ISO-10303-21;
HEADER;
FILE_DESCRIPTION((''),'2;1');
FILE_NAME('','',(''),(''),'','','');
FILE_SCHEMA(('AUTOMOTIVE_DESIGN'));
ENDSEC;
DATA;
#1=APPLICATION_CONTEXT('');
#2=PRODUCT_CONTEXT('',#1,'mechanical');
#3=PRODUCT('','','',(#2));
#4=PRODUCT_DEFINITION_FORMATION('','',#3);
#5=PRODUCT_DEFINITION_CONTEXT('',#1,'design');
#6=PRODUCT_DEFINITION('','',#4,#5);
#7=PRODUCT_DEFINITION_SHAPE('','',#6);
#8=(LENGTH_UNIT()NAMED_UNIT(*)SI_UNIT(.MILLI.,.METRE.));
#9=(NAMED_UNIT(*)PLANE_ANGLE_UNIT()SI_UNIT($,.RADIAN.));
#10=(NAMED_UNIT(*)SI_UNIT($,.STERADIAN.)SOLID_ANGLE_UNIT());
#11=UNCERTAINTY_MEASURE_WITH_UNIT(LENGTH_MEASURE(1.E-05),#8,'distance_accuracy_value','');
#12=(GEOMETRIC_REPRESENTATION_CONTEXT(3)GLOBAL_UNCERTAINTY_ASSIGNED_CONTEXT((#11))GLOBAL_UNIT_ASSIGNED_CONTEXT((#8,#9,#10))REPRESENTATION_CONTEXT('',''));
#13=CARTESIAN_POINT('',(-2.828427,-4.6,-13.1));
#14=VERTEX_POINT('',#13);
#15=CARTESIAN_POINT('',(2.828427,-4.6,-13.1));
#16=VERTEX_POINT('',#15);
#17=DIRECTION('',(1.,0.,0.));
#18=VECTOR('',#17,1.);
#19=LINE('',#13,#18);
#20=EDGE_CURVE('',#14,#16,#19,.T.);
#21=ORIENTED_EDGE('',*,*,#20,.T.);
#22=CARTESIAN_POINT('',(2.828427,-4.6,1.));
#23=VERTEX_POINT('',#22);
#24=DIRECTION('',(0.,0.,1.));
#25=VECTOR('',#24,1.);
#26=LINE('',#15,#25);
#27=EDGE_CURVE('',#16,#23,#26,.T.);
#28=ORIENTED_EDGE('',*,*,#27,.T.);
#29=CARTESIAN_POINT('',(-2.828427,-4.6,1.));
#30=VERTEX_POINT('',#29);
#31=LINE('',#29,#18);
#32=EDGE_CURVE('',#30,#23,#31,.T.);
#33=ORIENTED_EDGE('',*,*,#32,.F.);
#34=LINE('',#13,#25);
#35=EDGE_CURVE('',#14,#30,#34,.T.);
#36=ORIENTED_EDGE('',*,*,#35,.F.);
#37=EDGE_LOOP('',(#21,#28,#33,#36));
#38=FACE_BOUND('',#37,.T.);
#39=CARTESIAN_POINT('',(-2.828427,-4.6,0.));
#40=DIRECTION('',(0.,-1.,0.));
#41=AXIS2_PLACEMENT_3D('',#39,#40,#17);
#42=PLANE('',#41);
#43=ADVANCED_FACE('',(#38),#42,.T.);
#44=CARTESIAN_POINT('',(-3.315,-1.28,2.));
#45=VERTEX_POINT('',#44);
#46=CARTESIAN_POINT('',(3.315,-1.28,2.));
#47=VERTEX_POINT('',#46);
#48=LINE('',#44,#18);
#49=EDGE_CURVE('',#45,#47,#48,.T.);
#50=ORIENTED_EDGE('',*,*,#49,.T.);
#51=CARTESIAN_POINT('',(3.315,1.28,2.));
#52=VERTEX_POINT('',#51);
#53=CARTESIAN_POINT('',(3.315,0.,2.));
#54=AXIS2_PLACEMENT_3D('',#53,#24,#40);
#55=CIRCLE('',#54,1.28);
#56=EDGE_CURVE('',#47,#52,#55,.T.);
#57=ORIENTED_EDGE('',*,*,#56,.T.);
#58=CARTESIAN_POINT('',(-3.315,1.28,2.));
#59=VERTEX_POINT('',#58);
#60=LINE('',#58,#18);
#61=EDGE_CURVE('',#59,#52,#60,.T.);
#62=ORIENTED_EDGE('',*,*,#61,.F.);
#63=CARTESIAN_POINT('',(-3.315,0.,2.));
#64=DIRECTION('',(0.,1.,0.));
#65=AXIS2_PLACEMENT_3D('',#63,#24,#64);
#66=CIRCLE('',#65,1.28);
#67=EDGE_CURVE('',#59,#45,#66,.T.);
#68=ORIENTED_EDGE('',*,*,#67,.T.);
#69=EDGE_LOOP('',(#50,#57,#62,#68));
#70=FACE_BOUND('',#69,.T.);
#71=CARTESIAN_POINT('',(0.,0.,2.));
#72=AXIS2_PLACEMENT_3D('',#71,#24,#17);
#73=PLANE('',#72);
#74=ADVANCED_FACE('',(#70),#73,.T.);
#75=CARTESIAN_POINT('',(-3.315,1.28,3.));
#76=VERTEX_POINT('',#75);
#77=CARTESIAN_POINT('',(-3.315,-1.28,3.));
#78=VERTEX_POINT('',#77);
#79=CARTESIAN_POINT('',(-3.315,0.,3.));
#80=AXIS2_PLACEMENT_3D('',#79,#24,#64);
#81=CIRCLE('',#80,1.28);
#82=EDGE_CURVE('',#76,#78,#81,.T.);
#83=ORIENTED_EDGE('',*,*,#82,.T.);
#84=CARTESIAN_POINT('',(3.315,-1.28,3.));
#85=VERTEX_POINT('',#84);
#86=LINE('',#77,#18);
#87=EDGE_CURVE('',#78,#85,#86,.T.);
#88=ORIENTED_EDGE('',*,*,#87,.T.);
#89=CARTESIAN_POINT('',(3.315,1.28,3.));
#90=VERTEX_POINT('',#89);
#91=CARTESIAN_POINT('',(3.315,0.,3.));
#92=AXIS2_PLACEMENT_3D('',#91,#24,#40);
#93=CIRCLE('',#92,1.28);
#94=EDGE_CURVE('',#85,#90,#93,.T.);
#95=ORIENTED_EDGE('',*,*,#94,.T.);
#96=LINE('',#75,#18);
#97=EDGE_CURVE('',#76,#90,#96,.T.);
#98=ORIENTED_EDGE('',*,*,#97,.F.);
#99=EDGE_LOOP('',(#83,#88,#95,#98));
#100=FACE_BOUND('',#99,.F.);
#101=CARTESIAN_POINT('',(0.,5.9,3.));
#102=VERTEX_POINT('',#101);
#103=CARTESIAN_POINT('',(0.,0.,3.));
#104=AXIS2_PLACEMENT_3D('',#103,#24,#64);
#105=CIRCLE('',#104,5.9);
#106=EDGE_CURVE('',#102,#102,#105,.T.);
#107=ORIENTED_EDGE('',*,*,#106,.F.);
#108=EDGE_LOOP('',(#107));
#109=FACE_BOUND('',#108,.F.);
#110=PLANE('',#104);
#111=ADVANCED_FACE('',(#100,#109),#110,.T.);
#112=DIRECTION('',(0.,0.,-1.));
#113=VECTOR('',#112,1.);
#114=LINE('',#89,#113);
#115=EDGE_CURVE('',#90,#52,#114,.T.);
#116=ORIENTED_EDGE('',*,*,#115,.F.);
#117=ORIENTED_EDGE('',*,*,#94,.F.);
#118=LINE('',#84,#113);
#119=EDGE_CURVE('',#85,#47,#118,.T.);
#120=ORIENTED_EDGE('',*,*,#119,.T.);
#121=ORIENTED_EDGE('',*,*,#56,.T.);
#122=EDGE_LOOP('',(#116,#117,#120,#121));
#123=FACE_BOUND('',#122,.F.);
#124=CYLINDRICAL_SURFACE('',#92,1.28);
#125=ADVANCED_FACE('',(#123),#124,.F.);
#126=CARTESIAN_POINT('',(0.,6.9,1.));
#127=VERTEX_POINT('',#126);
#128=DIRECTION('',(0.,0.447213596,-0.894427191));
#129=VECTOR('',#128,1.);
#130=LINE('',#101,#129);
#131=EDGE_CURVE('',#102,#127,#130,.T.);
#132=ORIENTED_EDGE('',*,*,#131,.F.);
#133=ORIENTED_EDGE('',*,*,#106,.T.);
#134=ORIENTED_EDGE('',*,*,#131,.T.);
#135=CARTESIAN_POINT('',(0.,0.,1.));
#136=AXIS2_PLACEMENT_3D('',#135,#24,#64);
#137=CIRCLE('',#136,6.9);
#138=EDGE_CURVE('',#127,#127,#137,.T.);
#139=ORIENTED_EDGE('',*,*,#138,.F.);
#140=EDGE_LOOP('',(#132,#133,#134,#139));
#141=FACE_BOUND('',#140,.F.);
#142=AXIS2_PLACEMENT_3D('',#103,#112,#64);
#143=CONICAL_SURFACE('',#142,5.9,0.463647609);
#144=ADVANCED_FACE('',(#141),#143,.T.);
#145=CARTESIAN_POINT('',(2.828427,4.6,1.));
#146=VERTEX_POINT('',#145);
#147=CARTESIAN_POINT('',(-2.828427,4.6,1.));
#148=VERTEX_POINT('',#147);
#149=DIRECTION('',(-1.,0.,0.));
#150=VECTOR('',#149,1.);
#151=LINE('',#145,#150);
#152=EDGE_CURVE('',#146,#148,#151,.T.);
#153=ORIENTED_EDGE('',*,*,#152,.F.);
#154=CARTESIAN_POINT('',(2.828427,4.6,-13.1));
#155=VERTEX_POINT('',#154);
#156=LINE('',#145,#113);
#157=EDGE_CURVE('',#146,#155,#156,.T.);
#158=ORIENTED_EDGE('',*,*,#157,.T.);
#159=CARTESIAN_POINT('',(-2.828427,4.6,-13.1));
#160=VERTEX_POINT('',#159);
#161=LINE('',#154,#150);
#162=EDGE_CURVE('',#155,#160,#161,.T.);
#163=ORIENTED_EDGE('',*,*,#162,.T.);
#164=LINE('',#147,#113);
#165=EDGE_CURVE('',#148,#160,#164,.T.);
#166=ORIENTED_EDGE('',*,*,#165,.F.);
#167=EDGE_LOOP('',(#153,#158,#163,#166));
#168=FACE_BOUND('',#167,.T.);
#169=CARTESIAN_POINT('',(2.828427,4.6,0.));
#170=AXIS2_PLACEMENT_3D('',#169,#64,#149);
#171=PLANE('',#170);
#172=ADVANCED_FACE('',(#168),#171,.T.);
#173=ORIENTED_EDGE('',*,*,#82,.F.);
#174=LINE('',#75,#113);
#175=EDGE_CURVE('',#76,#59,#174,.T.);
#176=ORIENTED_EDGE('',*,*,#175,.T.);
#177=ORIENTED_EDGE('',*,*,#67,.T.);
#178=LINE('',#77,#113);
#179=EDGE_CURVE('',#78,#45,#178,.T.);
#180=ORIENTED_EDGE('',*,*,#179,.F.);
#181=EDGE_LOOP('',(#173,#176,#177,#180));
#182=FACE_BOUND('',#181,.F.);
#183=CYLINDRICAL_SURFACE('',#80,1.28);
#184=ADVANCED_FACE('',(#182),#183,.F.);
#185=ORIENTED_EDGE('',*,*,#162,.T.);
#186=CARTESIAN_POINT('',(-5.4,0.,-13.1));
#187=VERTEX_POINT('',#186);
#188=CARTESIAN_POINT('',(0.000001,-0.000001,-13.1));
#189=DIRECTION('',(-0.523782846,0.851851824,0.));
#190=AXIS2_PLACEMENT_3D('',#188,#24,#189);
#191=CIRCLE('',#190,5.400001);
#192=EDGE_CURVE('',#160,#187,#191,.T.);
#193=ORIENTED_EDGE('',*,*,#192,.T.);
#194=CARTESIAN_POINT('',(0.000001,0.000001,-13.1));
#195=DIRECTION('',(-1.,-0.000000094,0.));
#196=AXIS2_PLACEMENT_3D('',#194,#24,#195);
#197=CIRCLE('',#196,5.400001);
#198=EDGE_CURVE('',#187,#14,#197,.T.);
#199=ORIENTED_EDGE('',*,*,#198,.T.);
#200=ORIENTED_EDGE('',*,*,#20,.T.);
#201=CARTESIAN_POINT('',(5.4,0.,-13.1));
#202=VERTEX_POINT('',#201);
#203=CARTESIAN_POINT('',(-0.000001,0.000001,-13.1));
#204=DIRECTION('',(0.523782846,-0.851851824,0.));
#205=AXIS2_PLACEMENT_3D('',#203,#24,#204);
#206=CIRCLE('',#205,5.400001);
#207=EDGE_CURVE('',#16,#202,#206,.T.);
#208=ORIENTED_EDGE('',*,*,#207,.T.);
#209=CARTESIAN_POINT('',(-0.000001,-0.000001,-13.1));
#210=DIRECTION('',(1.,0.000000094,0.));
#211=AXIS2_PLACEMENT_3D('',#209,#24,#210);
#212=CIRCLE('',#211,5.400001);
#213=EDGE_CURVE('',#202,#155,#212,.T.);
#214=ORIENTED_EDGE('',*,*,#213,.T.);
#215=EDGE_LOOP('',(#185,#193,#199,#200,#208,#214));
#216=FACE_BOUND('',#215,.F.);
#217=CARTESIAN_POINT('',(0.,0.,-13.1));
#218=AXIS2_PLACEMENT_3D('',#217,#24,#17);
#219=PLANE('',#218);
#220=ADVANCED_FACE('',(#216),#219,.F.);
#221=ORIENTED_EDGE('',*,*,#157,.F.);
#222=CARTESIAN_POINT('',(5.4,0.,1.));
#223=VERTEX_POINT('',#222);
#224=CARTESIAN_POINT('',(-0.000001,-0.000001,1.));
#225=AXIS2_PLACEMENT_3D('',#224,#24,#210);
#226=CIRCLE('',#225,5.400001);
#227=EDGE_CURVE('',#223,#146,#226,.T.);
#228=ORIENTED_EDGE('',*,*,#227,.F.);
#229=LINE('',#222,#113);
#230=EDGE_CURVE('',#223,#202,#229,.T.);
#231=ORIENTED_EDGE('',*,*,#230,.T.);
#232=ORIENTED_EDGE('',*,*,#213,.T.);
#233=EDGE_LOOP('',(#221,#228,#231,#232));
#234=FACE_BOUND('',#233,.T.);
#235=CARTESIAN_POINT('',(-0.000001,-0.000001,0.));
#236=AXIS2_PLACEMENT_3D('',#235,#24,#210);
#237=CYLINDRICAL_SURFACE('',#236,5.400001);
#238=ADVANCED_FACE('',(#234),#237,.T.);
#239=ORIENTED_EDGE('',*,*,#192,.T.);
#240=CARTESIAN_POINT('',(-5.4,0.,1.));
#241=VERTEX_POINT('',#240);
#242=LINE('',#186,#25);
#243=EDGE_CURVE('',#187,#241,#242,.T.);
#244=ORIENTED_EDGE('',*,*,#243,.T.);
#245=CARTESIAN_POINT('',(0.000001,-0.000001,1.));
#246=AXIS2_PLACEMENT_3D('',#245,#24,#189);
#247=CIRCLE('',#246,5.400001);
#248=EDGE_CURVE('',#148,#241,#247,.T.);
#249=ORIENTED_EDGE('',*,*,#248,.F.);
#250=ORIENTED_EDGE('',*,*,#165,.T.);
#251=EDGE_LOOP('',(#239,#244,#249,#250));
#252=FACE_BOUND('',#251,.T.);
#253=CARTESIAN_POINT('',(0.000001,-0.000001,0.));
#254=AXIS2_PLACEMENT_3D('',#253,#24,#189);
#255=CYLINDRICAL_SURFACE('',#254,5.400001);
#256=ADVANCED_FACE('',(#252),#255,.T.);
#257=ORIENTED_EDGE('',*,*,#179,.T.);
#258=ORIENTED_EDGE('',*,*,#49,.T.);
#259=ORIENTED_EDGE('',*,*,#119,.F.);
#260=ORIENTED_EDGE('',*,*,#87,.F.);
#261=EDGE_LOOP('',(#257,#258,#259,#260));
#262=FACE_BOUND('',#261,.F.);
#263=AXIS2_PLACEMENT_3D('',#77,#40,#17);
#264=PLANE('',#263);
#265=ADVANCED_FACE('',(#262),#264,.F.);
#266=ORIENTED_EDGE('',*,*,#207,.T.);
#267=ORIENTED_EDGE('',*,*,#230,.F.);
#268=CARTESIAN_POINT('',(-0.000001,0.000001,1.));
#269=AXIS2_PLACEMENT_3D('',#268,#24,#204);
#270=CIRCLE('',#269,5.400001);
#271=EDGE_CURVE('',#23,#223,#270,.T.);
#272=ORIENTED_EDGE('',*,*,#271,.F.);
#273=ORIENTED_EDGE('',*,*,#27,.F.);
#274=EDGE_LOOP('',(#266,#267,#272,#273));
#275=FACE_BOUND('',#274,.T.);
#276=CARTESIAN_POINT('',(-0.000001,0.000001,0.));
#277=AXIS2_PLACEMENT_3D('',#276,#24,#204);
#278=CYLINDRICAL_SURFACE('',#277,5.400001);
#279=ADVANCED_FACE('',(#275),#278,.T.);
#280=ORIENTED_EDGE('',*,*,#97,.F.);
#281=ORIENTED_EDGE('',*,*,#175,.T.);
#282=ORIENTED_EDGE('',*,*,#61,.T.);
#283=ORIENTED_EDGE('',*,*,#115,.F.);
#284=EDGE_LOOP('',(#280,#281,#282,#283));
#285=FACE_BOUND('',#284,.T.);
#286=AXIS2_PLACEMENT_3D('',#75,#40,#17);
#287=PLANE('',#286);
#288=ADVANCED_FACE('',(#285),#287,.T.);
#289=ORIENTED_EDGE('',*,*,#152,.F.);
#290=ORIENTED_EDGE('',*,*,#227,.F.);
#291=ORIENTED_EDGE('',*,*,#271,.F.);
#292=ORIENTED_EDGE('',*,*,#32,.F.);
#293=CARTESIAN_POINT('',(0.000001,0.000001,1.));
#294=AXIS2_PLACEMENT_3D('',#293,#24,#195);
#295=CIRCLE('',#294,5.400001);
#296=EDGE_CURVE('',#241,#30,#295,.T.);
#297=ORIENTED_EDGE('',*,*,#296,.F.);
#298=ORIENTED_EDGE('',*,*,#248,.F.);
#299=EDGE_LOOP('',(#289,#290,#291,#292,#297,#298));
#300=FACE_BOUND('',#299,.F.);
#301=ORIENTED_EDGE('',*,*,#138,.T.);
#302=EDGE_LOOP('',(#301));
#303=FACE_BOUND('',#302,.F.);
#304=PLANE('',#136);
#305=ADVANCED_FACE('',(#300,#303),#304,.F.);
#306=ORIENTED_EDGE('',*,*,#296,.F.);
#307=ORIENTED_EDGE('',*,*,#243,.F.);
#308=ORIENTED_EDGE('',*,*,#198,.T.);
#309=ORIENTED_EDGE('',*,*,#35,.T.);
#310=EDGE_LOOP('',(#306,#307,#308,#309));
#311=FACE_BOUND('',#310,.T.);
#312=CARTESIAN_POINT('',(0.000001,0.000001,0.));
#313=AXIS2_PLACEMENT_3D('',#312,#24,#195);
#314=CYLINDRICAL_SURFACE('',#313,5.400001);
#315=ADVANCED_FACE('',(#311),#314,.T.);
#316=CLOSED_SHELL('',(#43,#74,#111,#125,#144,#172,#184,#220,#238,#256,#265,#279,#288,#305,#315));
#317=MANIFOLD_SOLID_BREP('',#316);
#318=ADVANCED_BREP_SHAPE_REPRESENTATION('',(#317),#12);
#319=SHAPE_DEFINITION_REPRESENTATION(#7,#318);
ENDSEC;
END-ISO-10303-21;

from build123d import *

# Parameters (mm, degrees)
PAD008_DEPTH    = 1
PAD009_DEPTH    = 13.1
POCKET001_DEPTH = 1


with BuildPart() as part:
    # Sketch012 → Pad008 (new body)
    with BuildSketch(Plane.XY):
        with BuildLine():
            ThreePointArc((-2.828427, 4.6), (-4.713465, 2.635004), (-5.4, 0))
            ThreePointArc((-5.4, 0), (-4.713465, -2.635004), (-2.828427, -4.6))
            Line((0, -4.6), (-2.828427, -4.6))
            Line((0, -4.6), (2.828427, -4.6))
            ThreePointArc((2.828427, -4.6), (4.713465, -2.635004), (5.4, 0))
            ThreePointArc((5.4, 0), (4.713465, 2.635004), (2.828427, 4.6))
            Line((0, 4.6), (2.828427, 4.6))
            Line((0, 4.6), (-2.828427, 4.6))
        make_face()
    extrude(amount=PAD008_DEPTH)

    # Sketch013 → Pad009 (join)
    with BuildSketch(Plane.XY):
        with BuildLine():
            ThreePointArc((-2.828427, 4.6), (-4.713465, 2.635004), (-5.4, 0))
            ThreePointArc((-5.4, 0), (-4.713465, -2.635004), (-2.828427, -4.6))
            Line((0, -4.6), (-2.828427, -4.6))
            Line((0, -4.6), (2.828427, -4.6))
            ThreePointArc((2.828427, -4.6), (4.713465, -2.635004), (5.4, 0))
            ThreePointArc((5.4, 0), (4.713465, 2.635004), (2.828427, 4.6))
            Line((0, 4.6), (2.828427, 4.6))
            Line((0, 4.6), (-2.828427, 4.6))
        make_face()
    extrude(amount=-PAD009_DEPTH)

    # Sketch014 → Revolution002 (revolve)
    with BuildSketch(Plane.YZ):
        Polygon((0, 1), (0, 3), (5.9, 3), (6.9, 1), align=None)
    revolve(axis=Axis((0, 0, 0), (0, 0, 1)))

    # Sketch015 (on Face1 of Revolution002) → Pocket001 (cut)
    with BuildSketch(Plane.XY.offset(3)):
        with BuildLine():
            ThreePointArc((-3.315, 1.28), (-4.595, 0), (-3.315, -1.28))
            Line((-3.315, -1.28), (3.315, -1.28))
            ThreePointArc((3.315, -1.28), (4.595, 0), (3.315, 1.28))
            Line((-3.315, 1.28), (3.315, 1.28))
        make_face()
    extrude(amount=-POCKET001_DEPTH, mode=Mode.SUBTRACT)


solid = part.part
